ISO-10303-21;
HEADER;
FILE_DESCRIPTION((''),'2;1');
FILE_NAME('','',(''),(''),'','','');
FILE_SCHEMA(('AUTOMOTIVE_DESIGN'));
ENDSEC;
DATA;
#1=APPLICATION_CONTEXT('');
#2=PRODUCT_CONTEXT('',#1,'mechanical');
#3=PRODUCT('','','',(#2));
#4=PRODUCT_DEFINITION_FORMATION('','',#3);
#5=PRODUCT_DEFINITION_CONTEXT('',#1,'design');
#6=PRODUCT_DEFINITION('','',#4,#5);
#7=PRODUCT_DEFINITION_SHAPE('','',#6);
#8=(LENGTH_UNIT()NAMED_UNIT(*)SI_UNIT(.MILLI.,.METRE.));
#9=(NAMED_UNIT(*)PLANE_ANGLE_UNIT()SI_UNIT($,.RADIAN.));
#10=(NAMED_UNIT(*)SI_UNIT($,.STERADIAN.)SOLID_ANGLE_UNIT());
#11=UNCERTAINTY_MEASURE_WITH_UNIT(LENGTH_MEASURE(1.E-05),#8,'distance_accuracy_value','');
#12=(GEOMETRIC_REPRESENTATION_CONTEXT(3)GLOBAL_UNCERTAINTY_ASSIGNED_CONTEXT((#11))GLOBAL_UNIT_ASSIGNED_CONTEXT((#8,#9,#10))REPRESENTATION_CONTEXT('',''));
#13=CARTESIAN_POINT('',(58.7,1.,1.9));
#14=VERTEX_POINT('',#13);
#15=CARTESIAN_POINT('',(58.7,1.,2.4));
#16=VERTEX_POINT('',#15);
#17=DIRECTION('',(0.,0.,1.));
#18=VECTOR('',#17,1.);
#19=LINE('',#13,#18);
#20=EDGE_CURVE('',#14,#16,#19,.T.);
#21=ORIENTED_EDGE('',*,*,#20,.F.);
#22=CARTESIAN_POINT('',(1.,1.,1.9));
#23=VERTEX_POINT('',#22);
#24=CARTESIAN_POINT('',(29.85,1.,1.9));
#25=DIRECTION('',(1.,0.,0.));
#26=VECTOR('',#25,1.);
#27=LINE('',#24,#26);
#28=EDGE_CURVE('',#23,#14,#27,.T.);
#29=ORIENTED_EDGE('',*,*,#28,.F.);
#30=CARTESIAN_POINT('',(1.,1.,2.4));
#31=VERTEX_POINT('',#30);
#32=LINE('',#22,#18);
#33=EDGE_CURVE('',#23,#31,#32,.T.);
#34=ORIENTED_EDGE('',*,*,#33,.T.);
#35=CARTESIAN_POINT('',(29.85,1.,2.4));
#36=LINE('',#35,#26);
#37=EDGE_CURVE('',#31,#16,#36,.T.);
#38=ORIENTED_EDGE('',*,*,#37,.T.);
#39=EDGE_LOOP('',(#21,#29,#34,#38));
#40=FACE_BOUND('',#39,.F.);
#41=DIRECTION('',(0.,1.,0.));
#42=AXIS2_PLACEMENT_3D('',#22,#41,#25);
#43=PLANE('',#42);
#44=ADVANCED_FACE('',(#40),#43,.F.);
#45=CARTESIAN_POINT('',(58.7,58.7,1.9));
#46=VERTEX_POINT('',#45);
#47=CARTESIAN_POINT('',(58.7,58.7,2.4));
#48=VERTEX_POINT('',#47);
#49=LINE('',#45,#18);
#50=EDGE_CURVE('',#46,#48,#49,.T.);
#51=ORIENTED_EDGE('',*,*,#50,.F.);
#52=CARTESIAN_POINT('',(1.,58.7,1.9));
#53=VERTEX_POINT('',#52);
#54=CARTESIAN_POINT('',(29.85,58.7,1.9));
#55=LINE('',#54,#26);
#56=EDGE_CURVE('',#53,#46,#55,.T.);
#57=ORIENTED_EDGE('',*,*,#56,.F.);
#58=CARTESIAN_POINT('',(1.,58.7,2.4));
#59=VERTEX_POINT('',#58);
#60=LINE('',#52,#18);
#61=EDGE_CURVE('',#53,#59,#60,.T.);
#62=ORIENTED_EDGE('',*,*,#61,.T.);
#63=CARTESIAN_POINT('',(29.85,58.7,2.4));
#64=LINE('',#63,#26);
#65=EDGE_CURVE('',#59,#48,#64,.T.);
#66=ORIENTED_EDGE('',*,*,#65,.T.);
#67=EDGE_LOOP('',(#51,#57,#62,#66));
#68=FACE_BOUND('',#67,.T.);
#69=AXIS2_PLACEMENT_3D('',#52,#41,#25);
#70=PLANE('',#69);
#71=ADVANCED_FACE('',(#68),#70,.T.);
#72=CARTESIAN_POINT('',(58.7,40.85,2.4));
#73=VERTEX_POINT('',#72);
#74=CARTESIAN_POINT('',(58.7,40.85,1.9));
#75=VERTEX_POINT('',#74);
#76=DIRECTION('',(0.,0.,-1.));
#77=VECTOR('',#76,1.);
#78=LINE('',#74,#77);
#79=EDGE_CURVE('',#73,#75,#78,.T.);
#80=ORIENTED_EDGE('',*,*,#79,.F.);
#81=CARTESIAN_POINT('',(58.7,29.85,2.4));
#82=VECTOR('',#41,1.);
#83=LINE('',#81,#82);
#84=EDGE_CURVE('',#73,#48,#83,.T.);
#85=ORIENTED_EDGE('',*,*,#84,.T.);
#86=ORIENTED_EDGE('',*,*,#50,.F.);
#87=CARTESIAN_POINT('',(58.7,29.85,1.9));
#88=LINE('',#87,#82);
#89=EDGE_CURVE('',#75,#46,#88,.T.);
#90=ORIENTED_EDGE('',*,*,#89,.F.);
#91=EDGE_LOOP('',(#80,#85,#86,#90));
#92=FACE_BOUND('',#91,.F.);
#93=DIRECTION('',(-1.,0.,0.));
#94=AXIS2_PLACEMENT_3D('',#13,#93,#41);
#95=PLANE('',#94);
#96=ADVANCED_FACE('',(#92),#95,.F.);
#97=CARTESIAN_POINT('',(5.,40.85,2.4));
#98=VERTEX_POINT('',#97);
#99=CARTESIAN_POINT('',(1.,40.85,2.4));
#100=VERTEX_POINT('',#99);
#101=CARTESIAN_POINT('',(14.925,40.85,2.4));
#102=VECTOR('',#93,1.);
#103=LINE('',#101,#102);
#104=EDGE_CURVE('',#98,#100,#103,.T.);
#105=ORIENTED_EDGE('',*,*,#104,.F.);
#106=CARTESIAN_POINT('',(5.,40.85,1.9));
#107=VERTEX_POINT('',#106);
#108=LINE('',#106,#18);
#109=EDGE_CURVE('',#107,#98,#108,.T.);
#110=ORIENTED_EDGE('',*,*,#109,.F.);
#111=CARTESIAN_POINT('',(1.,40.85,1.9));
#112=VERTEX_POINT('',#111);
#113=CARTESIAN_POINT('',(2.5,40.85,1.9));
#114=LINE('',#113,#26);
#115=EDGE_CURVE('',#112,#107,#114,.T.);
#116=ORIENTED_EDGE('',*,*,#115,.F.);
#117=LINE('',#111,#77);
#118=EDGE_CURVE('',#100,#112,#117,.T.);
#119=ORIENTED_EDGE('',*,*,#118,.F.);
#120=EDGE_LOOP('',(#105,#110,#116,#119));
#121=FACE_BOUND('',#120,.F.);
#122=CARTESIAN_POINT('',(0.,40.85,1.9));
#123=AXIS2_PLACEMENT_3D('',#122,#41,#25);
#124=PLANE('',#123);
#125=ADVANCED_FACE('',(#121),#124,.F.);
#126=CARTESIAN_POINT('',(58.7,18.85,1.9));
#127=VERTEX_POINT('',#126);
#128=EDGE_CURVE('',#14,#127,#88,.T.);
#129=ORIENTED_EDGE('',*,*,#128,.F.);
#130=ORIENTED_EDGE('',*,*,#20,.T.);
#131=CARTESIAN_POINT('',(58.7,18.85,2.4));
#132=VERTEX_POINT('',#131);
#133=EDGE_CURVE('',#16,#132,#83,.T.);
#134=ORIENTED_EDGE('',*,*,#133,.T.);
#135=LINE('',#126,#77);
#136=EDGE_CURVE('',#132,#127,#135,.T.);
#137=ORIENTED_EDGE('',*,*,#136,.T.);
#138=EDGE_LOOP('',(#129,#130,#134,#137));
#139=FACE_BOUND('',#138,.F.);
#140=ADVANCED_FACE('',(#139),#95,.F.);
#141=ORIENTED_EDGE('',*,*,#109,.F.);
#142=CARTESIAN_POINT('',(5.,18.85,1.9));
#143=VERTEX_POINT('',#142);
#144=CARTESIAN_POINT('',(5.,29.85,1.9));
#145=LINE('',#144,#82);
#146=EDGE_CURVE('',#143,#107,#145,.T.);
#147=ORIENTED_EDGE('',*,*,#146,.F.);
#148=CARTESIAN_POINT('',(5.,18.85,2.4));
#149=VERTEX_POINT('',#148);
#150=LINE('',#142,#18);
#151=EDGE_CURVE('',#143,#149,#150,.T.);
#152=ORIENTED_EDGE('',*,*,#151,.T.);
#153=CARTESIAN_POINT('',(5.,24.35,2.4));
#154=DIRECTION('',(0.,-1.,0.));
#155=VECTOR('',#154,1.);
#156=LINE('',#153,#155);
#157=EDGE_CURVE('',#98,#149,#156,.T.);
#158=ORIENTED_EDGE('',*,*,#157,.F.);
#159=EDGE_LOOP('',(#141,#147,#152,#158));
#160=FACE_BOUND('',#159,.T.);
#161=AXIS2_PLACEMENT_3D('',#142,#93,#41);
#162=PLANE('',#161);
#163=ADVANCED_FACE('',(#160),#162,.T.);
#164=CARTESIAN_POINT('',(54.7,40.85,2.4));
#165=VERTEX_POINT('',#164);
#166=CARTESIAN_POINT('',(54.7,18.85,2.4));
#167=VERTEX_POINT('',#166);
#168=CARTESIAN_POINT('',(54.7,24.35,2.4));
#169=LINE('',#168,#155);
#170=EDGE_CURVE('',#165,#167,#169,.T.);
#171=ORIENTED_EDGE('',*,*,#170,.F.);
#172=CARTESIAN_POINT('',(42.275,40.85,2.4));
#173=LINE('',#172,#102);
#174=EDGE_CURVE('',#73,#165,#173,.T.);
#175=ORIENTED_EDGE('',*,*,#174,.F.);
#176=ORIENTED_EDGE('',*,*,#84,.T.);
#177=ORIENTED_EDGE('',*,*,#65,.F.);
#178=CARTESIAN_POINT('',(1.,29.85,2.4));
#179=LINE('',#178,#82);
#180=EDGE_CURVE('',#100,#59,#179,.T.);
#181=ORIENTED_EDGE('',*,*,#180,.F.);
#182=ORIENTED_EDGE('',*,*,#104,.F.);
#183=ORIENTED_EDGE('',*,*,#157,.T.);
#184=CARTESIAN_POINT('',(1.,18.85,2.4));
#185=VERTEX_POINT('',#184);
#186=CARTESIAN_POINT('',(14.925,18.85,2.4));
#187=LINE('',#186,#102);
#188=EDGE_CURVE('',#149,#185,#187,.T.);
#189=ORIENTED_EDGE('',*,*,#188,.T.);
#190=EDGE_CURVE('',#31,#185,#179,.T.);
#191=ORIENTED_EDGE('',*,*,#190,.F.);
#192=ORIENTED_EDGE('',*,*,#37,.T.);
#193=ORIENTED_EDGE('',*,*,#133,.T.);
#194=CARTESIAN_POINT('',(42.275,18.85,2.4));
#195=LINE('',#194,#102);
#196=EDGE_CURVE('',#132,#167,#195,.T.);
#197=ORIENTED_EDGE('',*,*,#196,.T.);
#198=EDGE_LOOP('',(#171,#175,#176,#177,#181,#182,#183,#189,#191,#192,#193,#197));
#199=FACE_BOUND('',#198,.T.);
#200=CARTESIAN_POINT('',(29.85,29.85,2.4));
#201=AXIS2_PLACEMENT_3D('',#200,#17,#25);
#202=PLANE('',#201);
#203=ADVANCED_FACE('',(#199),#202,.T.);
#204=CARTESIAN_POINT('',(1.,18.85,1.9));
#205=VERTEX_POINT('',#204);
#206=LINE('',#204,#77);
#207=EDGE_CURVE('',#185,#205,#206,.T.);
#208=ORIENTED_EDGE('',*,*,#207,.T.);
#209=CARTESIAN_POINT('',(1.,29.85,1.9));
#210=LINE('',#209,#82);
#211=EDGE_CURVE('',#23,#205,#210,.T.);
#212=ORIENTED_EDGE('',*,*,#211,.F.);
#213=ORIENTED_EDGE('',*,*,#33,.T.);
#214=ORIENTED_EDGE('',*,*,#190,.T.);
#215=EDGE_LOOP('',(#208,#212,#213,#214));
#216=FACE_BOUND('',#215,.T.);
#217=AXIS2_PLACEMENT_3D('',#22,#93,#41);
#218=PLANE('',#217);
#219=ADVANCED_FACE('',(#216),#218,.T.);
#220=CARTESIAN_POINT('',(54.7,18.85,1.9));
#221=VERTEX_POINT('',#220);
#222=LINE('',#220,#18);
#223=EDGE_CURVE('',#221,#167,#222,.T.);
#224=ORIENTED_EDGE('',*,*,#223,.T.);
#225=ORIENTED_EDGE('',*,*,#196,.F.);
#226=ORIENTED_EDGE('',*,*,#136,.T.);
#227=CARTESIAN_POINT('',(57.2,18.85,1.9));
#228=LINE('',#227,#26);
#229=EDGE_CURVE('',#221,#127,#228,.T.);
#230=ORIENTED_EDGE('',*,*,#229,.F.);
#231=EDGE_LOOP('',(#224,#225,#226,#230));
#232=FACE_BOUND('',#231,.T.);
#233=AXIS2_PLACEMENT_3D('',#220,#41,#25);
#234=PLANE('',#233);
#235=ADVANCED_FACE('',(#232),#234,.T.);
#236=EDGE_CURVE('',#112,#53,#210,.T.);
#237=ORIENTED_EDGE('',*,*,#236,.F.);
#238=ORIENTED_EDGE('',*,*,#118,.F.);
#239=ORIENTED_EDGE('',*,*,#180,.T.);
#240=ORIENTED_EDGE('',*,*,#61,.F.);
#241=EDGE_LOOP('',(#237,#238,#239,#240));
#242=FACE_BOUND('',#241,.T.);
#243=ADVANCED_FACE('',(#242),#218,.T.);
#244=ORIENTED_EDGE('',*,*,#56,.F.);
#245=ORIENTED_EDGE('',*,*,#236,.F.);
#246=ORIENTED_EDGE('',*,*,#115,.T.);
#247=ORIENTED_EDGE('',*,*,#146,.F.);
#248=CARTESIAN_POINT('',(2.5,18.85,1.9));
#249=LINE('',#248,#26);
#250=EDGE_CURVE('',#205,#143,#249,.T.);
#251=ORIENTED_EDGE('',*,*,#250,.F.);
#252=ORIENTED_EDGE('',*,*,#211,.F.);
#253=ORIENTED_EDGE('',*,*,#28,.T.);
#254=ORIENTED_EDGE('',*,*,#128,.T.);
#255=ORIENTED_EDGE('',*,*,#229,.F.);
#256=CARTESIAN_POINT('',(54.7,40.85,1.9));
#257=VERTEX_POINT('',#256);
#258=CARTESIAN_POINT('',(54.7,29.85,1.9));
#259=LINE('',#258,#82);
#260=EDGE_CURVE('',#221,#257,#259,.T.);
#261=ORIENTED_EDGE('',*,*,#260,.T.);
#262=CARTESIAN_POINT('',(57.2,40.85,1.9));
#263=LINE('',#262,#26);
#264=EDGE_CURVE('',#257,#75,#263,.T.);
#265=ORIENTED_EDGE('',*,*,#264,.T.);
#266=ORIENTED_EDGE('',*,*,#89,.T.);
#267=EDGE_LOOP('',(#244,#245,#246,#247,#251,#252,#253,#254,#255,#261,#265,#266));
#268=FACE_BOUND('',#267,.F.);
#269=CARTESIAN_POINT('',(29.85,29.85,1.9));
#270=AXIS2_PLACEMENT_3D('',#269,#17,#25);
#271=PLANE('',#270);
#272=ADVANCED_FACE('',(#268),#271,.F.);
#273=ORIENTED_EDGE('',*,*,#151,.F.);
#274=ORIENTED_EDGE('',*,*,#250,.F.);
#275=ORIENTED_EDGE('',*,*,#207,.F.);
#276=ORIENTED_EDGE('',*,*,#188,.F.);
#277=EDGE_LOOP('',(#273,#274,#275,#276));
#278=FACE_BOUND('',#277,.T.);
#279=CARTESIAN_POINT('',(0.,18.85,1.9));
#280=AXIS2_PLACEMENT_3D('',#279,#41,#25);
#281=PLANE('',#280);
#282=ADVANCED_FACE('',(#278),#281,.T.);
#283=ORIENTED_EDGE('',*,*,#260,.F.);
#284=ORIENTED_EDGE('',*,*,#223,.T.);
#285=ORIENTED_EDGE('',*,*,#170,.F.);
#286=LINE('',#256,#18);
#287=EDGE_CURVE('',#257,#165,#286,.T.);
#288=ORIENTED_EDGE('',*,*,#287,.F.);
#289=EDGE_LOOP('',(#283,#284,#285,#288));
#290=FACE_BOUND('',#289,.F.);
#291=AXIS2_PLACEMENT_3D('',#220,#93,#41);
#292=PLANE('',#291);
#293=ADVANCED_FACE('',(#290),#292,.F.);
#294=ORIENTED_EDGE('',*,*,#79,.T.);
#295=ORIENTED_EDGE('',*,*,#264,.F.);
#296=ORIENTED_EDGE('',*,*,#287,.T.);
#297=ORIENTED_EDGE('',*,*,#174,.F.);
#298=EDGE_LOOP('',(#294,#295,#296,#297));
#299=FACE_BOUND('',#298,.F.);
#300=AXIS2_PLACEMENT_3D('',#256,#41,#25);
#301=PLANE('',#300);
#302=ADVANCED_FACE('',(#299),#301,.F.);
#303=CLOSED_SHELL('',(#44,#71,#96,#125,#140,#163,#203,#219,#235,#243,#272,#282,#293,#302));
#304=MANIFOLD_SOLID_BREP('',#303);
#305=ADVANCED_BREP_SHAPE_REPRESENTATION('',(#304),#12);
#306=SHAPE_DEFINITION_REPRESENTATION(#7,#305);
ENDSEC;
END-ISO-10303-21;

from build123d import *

# Parameters (mm, degrees)
BOX005_W     = 5
BOX005_H     = 22
BOX005_DEPTH = 1.9
BOX004_W     = 5
BOX004_H     = 22
BOX004_DEPTH = 1.9
BOX001_W     = 57.7
BOX001_H     = 57.7
BOX001_DEPTH = 0.5


with BuildPart() as box005:
    # Box005 → Box005 (new body)
    with BuildSketch(Plane(origin=(54.7, 18.85, 1.9), x_dir=(1, 0, 0), z_dir=(0, 0, 1))):
        with Locations((2.5, 11)):
            Rectangle(BOX005_W, BOX005_H)
    extrude(amount=BOX005_DEPTH)


with BuildPart() as box004:
    # Box004 → Box004 (new body)
    with BuildSketch(Plane(origin=(0, 18.85, 1.9), x_dir=(1, 0, 0), z_dir=(0, 0, 1))):
        with Locations((2.5, 11)):
            Rectangle(BOX004_W, BOX004_H)
    extrude(amount=BOX004_DEPTH)


with BuildPart() as layer_inside:
    # Box001 → Box001 (new body)
    with BuildSketch(Plane(origin=(1, 1, 1.9), x_dir=(1, 0, 0), z_dir=(0, 0, 1))):
        with Locations((28.85, 28.85)):
            Rectangle(BOX001_W, BOX001_H)
    extrude(amount=BOX001_DEPTH)

    # Cut003: cut Box004
    add(box004.part, mode=Mode.SUBTRACT)

    # Cut004: cut Box005
    add(box005.part, mode=Mode.SUBTRACT)


solid = layer_inside.part
